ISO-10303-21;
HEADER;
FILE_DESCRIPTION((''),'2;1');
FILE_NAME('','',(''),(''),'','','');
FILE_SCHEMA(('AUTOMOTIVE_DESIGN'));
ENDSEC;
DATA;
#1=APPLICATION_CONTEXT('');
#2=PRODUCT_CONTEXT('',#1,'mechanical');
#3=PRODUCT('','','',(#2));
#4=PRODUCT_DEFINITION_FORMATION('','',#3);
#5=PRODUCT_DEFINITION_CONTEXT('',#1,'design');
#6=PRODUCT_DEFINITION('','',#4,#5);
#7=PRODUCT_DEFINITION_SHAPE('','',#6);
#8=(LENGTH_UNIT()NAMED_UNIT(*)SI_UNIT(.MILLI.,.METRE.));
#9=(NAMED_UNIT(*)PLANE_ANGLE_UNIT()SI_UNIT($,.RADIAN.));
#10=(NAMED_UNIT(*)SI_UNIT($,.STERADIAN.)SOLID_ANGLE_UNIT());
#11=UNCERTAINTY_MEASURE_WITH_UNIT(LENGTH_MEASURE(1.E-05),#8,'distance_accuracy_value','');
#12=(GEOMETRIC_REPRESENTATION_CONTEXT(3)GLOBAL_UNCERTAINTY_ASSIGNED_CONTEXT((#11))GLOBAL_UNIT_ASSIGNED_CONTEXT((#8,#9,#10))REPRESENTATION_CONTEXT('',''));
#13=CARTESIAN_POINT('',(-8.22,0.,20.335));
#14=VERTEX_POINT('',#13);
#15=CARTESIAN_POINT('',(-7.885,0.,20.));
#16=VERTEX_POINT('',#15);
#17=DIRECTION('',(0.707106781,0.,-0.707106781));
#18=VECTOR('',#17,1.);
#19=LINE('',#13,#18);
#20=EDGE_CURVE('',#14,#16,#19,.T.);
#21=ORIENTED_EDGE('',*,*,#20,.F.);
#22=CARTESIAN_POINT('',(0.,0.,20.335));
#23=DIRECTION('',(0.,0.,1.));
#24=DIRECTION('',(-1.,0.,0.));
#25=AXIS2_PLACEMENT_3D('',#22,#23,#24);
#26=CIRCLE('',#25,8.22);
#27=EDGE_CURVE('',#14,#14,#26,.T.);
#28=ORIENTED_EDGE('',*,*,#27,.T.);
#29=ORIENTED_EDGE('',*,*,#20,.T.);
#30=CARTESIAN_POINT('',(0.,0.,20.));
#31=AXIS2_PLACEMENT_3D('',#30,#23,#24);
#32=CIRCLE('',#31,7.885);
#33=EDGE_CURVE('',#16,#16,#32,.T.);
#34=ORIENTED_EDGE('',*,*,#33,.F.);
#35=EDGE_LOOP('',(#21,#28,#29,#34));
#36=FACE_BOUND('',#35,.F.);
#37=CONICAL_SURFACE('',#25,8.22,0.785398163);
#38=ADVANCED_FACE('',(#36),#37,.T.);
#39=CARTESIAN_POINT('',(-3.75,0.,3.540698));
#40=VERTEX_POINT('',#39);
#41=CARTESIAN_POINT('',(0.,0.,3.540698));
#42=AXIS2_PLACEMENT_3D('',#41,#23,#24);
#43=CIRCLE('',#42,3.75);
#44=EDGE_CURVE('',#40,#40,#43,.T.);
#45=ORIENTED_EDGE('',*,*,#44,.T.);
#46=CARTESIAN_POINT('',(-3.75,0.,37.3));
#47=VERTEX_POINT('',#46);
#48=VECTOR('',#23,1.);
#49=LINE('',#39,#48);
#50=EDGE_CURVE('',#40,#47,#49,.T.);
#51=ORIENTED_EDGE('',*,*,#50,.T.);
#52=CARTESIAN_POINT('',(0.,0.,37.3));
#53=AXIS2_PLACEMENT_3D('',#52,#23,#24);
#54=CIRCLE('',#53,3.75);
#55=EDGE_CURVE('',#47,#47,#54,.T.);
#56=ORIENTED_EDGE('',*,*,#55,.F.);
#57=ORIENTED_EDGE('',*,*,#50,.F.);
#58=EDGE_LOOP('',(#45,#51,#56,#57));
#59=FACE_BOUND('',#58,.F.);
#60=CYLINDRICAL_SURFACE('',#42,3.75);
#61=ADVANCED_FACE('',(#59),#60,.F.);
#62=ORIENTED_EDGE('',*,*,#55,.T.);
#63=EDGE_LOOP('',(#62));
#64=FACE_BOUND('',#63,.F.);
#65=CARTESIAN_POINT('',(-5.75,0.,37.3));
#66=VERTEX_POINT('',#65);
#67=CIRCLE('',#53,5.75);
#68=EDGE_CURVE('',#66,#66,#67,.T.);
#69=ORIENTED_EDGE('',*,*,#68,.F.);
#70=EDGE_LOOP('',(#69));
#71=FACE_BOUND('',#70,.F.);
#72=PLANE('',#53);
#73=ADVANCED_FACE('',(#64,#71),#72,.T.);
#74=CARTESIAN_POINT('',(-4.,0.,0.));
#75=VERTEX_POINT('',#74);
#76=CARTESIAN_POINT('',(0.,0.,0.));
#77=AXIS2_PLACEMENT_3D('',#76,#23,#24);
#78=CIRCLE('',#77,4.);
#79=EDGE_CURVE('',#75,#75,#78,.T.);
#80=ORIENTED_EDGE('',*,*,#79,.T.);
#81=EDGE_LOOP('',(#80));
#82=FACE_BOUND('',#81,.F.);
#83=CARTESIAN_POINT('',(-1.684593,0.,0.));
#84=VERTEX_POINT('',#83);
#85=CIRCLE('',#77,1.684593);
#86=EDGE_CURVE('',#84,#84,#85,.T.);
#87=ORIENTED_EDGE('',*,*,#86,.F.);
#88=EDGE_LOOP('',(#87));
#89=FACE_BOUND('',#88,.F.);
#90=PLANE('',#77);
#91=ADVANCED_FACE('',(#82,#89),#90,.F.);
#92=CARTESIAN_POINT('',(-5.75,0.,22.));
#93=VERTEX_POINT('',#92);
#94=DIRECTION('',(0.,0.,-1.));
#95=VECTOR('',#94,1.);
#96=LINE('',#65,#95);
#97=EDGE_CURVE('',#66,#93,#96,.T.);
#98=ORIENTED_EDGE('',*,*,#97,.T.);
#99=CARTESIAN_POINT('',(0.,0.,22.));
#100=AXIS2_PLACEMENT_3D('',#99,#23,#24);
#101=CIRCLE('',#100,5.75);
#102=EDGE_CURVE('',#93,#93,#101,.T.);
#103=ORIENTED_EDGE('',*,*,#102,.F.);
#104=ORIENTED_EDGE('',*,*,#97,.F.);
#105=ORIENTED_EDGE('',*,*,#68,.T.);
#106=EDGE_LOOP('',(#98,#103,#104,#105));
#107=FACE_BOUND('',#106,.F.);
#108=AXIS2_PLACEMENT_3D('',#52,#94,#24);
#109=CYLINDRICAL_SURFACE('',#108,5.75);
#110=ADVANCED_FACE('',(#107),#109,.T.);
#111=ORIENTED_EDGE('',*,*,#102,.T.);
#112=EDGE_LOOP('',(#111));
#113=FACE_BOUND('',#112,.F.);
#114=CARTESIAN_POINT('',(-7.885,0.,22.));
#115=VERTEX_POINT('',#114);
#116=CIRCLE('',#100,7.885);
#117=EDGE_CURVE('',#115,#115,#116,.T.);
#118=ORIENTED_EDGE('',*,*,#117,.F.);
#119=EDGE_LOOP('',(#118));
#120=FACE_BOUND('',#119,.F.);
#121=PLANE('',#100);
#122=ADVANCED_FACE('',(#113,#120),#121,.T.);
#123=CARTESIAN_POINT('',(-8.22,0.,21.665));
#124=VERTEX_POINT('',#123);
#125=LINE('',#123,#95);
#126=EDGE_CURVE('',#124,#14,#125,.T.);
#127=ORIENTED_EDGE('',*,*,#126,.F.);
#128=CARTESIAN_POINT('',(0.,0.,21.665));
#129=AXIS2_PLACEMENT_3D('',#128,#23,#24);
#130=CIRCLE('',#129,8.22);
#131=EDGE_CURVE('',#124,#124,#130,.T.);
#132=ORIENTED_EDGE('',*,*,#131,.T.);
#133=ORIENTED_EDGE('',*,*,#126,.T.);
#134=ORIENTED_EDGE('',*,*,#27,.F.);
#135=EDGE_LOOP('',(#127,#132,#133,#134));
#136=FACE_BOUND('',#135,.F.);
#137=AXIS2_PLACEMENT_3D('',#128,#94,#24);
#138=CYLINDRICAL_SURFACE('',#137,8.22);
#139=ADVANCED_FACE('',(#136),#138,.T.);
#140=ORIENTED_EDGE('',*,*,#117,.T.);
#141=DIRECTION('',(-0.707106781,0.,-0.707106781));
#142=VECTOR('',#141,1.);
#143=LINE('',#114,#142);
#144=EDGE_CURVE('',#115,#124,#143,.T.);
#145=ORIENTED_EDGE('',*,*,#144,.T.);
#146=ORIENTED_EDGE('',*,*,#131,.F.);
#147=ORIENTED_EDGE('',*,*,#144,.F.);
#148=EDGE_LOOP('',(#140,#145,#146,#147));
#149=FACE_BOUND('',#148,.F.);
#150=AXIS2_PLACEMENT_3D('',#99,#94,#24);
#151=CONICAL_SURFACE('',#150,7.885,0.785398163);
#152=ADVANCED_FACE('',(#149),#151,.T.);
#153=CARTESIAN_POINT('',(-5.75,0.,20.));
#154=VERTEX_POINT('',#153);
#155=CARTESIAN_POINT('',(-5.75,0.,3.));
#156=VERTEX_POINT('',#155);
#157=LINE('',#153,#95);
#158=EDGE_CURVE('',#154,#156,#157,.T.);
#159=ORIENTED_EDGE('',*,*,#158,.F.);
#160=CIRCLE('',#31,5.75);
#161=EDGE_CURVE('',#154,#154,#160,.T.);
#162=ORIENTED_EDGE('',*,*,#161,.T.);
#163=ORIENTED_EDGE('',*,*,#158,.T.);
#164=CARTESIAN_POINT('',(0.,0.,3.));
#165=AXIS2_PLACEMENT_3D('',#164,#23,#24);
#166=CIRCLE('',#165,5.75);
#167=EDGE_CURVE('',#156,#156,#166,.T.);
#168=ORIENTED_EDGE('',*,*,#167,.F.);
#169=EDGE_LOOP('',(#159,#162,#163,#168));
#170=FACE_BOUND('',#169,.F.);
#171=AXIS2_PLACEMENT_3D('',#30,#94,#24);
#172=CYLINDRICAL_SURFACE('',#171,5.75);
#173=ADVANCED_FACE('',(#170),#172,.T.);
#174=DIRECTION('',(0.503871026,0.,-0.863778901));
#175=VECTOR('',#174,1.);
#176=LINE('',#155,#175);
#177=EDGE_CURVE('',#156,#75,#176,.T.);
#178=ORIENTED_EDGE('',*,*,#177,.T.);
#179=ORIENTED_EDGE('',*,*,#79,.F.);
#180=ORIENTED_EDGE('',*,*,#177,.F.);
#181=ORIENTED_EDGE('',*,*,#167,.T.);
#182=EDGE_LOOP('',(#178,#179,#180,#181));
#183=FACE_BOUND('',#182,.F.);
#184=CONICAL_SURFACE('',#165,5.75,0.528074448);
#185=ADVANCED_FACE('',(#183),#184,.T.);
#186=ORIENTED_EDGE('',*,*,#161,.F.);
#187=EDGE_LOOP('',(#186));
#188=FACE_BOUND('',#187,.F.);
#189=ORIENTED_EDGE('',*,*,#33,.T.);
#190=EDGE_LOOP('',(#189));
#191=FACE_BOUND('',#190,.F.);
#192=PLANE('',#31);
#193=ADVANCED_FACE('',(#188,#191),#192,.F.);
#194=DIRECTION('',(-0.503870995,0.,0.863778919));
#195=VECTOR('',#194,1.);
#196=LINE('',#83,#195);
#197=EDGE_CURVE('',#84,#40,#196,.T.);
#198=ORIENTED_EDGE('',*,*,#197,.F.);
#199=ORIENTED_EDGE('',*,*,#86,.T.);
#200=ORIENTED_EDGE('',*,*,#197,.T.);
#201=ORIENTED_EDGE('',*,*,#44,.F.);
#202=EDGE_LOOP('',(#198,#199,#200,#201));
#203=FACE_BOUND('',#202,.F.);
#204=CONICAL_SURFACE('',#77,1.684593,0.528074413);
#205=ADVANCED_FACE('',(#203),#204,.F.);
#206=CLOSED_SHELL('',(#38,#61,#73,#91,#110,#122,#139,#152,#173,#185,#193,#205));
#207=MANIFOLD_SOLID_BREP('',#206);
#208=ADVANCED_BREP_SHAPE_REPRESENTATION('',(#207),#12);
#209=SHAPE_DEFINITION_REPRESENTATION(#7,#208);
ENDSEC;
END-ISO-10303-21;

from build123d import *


with BuildPart() as part:
    # Sketch → Revolution (revolve)
    with BuildSketch(Plane.XZ):
        Polygon((-1.684593, 0), (-3.75, 3.540698), (-3.75, 37.3), (-5.75, 37.3), (-5.75, 22), (-7.885, 22), (-8.22, 21.665), (-8.22, 20.335), (-7.885, 20), (-5.75, 20), (-5.75, 3), (-4, 0), align=None)
    revolve(axis=Axis((0, 0, 0), (0, 0, 1)))


solid = part.part
